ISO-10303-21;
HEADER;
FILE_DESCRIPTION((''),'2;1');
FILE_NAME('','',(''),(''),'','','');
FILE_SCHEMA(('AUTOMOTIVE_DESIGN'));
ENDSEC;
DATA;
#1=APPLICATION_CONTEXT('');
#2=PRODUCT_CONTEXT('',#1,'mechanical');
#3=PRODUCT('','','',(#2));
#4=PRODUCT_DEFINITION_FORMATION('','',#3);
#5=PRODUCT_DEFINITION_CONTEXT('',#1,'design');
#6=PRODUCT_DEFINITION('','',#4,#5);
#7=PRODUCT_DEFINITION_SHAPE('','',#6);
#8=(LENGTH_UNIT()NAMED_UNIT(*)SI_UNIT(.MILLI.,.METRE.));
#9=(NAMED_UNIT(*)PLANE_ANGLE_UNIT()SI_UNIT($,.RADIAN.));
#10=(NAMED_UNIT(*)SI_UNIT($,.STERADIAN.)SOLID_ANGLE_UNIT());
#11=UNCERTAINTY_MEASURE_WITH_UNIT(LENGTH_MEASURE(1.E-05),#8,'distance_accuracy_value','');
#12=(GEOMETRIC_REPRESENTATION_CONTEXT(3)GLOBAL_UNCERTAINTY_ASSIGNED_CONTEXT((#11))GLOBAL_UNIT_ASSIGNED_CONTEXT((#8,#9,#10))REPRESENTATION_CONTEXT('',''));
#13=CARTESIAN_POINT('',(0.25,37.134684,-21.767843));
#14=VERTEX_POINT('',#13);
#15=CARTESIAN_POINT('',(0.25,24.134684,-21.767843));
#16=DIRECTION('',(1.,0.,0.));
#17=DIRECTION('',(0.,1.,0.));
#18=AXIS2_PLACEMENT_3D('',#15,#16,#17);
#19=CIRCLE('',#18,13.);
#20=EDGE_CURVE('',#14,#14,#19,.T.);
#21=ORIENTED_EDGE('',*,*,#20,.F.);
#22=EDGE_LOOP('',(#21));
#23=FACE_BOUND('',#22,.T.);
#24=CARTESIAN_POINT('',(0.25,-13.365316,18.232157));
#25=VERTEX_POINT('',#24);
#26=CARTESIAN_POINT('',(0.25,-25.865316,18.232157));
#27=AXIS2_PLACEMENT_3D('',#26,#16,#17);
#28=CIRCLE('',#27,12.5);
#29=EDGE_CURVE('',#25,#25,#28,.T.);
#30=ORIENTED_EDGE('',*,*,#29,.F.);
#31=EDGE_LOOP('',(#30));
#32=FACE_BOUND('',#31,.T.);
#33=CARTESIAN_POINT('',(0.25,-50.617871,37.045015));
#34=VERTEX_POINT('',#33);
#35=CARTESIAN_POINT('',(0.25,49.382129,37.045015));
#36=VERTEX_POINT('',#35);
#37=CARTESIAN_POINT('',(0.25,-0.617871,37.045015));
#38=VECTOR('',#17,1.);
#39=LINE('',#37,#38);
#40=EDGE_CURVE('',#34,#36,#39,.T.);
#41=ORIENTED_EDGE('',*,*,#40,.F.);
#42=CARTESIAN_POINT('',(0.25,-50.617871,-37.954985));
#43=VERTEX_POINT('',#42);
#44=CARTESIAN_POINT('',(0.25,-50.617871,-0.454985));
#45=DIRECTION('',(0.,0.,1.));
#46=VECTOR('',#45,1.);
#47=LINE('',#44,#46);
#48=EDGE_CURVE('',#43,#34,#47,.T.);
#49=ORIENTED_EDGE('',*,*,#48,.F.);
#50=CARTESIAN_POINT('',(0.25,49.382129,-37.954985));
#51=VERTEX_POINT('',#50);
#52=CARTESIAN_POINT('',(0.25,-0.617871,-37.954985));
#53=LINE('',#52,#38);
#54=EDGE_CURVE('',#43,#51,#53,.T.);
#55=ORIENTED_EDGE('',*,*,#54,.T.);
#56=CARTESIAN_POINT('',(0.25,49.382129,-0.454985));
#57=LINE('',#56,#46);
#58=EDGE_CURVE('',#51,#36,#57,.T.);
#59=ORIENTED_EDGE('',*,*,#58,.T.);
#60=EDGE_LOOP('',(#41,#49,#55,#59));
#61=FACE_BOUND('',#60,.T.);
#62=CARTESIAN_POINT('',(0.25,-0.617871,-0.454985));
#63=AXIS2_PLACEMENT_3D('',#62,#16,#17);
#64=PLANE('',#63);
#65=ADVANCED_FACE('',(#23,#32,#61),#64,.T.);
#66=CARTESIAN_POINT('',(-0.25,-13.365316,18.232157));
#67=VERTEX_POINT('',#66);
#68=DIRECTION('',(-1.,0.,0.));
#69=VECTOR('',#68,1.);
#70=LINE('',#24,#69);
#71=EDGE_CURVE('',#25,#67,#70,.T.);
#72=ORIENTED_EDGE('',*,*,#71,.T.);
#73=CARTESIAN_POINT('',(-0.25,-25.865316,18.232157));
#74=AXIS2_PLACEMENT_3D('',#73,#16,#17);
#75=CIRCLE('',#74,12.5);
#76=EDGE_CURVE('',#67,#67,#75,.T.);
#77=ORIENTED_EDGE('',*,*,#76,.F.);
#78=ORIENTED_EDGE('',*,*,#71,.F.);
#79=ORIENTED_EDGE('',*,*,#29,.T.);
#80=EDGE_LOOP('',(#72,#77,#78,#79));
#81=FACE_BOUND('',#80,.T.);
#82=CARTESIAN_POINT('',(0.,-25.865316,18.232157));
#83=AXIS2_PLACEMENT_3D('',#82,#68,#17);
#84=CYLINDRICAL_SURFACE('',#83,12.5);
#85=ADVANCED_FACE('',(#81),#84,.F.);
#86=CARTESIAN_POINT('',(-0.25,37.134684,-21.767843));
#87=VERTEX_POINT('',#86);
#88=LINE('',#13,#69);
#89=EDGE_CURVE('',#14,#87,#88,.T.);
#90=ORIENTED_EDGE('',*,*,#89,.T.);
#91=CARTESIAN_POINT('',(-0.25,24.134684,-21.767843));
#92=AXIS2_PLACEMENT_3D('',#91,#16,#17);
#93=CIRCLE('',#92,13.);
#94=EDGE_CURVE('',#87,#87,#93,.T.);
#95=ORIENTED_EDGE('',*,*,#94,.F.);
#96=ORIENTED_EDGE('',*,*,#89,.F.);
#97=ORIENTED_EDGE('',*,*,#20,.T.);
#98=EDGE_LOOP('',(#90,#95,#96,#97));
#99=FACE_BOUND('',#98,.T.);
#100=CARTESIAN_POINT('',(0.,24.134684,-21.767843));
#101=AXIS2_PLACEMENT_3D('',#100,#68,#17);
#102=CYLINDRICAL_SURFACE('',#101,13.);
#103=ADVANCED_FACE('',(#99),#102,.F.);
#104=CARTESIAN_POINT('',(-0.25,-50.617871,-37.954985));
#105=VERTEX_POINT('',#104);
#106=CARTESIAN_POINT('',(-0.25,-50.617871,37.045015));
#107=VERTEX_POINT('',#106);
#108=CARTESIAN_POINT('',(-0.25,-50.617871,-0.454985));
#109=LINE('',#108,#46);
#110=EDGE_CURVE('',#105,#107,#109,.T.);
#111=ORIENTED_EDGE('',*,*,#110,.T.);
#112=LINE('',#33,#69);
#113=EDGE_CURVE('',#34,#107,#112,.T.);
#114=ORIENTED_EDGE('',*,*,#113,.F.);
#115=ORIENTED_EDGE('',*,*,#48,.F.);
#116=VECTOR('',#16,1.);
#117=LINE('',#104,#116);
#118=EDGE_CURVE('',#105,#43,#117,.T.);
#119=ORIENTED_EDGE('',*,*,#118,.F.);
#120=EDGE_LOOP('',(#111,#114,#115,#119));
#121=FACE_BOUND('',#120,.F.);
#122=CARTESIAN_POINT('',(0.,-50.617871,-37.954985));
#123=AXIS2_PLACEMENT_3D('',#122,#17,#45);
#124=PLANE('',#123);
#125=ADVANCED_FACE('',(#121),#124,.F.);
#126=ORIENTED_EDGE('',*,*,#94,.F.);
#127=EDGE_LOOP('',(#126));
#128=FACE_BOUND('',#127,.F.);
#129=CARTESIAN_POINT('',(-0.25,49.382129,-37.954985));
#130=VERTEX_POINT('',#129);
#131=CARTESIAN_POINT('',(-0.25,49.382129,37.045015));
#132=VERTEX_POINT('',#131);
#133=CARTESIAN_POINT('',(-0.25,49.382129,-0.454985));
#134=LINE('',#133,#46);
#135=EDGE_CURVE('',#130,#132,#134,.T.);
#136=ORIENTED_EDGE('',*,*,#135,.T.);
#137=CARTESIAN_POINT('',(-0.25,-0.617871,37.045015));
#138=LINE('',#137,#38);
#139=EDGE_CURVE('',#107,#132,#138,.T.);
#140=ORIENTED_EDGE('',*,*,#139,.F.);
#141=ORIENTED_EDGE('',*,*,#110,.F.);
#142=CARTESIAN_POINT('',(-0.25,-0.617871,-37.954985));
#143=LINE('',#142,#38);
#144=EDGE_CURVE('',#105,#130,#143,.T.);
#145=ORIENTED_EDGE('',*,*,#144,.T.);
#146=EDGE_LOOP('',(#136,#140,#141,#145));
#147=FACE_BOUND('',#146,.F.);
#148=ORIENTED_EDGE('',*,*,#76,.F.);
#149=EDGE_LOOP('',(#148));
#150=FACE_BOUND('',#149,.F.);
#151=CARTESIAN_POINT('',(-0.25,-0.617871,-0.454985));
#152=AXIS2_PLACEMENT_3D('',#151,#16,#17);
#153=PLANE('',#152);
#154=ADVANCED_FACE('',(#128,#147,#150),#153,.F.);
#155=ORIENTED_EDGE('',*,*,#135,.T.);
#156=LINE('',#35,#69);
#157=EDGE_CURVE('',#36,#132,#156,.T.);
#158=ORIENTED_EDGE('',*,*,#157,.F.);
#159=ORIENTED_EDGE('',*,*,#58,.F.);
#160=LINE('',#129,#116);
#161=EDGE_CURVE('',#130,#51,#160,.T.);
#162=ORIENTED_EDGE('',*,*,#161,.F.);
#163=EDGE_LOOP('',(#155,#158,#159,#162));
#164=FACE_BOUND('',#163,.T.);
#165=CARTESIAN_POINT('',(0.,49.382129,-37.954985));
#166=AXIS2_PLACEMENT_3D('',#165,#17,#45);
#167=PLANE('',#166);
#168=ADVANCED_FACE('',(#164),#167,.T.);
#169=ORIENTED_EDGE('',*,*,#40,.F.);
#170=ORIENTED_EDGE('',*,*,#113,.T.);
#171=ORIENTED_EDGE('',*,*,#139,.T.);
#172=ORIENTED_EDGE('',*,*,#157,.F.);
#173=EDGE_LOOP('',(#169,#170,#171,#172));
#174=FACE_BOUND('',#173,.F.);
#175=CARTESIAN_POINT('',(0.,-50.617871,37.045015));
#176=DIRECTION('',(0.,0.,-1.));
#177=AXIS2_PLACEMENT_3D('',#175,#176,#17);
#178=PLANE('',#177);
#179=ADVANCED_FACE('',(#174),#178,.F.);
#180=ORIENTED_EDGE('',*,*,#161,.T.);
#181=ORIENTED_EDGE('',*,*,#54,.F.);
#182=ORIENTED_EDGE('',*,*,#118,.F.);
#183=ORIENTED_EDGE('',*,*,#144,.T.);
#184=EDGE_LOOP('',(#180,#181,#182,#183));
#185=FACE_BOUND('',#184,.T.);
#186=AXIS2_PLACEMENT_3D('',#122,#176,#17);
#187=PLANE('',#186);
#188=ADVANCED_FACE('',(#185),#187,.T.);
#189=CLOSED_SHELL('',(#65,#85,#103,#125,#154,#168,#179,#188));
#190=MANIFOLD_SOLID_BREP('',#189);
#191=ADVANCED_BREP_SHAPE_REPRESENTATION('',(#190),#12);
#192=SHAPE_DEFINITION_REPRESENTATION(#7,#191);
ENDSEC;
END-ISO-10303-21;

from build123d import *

# Parameters (mm, degrees)
F0_W     = 100
F0_H     = 75
F0_R     = 13
F0_R_2   = 12.5
F1_DEPTH = 0.25


with BuildPart() as f1:
    # F0 (on Right) → F1 (new body, symmetric)
    with BuildSketch(Plane.YZ):
        with Locations((-0.617871, -0.454985)):
            Rectangle(F0_W, F0_H)
        with Locations((24.134684, -21.767843)):
            Circle(F0_R, mode=Mode.SUBTRACT)
        with Locations((-25.865316, 18.232157)):
            Circle(F0_R_2, mode=Mode.SUBTRACT)
    extrude(amount=F1_DEPTH, both=True)


solid = f1.part
